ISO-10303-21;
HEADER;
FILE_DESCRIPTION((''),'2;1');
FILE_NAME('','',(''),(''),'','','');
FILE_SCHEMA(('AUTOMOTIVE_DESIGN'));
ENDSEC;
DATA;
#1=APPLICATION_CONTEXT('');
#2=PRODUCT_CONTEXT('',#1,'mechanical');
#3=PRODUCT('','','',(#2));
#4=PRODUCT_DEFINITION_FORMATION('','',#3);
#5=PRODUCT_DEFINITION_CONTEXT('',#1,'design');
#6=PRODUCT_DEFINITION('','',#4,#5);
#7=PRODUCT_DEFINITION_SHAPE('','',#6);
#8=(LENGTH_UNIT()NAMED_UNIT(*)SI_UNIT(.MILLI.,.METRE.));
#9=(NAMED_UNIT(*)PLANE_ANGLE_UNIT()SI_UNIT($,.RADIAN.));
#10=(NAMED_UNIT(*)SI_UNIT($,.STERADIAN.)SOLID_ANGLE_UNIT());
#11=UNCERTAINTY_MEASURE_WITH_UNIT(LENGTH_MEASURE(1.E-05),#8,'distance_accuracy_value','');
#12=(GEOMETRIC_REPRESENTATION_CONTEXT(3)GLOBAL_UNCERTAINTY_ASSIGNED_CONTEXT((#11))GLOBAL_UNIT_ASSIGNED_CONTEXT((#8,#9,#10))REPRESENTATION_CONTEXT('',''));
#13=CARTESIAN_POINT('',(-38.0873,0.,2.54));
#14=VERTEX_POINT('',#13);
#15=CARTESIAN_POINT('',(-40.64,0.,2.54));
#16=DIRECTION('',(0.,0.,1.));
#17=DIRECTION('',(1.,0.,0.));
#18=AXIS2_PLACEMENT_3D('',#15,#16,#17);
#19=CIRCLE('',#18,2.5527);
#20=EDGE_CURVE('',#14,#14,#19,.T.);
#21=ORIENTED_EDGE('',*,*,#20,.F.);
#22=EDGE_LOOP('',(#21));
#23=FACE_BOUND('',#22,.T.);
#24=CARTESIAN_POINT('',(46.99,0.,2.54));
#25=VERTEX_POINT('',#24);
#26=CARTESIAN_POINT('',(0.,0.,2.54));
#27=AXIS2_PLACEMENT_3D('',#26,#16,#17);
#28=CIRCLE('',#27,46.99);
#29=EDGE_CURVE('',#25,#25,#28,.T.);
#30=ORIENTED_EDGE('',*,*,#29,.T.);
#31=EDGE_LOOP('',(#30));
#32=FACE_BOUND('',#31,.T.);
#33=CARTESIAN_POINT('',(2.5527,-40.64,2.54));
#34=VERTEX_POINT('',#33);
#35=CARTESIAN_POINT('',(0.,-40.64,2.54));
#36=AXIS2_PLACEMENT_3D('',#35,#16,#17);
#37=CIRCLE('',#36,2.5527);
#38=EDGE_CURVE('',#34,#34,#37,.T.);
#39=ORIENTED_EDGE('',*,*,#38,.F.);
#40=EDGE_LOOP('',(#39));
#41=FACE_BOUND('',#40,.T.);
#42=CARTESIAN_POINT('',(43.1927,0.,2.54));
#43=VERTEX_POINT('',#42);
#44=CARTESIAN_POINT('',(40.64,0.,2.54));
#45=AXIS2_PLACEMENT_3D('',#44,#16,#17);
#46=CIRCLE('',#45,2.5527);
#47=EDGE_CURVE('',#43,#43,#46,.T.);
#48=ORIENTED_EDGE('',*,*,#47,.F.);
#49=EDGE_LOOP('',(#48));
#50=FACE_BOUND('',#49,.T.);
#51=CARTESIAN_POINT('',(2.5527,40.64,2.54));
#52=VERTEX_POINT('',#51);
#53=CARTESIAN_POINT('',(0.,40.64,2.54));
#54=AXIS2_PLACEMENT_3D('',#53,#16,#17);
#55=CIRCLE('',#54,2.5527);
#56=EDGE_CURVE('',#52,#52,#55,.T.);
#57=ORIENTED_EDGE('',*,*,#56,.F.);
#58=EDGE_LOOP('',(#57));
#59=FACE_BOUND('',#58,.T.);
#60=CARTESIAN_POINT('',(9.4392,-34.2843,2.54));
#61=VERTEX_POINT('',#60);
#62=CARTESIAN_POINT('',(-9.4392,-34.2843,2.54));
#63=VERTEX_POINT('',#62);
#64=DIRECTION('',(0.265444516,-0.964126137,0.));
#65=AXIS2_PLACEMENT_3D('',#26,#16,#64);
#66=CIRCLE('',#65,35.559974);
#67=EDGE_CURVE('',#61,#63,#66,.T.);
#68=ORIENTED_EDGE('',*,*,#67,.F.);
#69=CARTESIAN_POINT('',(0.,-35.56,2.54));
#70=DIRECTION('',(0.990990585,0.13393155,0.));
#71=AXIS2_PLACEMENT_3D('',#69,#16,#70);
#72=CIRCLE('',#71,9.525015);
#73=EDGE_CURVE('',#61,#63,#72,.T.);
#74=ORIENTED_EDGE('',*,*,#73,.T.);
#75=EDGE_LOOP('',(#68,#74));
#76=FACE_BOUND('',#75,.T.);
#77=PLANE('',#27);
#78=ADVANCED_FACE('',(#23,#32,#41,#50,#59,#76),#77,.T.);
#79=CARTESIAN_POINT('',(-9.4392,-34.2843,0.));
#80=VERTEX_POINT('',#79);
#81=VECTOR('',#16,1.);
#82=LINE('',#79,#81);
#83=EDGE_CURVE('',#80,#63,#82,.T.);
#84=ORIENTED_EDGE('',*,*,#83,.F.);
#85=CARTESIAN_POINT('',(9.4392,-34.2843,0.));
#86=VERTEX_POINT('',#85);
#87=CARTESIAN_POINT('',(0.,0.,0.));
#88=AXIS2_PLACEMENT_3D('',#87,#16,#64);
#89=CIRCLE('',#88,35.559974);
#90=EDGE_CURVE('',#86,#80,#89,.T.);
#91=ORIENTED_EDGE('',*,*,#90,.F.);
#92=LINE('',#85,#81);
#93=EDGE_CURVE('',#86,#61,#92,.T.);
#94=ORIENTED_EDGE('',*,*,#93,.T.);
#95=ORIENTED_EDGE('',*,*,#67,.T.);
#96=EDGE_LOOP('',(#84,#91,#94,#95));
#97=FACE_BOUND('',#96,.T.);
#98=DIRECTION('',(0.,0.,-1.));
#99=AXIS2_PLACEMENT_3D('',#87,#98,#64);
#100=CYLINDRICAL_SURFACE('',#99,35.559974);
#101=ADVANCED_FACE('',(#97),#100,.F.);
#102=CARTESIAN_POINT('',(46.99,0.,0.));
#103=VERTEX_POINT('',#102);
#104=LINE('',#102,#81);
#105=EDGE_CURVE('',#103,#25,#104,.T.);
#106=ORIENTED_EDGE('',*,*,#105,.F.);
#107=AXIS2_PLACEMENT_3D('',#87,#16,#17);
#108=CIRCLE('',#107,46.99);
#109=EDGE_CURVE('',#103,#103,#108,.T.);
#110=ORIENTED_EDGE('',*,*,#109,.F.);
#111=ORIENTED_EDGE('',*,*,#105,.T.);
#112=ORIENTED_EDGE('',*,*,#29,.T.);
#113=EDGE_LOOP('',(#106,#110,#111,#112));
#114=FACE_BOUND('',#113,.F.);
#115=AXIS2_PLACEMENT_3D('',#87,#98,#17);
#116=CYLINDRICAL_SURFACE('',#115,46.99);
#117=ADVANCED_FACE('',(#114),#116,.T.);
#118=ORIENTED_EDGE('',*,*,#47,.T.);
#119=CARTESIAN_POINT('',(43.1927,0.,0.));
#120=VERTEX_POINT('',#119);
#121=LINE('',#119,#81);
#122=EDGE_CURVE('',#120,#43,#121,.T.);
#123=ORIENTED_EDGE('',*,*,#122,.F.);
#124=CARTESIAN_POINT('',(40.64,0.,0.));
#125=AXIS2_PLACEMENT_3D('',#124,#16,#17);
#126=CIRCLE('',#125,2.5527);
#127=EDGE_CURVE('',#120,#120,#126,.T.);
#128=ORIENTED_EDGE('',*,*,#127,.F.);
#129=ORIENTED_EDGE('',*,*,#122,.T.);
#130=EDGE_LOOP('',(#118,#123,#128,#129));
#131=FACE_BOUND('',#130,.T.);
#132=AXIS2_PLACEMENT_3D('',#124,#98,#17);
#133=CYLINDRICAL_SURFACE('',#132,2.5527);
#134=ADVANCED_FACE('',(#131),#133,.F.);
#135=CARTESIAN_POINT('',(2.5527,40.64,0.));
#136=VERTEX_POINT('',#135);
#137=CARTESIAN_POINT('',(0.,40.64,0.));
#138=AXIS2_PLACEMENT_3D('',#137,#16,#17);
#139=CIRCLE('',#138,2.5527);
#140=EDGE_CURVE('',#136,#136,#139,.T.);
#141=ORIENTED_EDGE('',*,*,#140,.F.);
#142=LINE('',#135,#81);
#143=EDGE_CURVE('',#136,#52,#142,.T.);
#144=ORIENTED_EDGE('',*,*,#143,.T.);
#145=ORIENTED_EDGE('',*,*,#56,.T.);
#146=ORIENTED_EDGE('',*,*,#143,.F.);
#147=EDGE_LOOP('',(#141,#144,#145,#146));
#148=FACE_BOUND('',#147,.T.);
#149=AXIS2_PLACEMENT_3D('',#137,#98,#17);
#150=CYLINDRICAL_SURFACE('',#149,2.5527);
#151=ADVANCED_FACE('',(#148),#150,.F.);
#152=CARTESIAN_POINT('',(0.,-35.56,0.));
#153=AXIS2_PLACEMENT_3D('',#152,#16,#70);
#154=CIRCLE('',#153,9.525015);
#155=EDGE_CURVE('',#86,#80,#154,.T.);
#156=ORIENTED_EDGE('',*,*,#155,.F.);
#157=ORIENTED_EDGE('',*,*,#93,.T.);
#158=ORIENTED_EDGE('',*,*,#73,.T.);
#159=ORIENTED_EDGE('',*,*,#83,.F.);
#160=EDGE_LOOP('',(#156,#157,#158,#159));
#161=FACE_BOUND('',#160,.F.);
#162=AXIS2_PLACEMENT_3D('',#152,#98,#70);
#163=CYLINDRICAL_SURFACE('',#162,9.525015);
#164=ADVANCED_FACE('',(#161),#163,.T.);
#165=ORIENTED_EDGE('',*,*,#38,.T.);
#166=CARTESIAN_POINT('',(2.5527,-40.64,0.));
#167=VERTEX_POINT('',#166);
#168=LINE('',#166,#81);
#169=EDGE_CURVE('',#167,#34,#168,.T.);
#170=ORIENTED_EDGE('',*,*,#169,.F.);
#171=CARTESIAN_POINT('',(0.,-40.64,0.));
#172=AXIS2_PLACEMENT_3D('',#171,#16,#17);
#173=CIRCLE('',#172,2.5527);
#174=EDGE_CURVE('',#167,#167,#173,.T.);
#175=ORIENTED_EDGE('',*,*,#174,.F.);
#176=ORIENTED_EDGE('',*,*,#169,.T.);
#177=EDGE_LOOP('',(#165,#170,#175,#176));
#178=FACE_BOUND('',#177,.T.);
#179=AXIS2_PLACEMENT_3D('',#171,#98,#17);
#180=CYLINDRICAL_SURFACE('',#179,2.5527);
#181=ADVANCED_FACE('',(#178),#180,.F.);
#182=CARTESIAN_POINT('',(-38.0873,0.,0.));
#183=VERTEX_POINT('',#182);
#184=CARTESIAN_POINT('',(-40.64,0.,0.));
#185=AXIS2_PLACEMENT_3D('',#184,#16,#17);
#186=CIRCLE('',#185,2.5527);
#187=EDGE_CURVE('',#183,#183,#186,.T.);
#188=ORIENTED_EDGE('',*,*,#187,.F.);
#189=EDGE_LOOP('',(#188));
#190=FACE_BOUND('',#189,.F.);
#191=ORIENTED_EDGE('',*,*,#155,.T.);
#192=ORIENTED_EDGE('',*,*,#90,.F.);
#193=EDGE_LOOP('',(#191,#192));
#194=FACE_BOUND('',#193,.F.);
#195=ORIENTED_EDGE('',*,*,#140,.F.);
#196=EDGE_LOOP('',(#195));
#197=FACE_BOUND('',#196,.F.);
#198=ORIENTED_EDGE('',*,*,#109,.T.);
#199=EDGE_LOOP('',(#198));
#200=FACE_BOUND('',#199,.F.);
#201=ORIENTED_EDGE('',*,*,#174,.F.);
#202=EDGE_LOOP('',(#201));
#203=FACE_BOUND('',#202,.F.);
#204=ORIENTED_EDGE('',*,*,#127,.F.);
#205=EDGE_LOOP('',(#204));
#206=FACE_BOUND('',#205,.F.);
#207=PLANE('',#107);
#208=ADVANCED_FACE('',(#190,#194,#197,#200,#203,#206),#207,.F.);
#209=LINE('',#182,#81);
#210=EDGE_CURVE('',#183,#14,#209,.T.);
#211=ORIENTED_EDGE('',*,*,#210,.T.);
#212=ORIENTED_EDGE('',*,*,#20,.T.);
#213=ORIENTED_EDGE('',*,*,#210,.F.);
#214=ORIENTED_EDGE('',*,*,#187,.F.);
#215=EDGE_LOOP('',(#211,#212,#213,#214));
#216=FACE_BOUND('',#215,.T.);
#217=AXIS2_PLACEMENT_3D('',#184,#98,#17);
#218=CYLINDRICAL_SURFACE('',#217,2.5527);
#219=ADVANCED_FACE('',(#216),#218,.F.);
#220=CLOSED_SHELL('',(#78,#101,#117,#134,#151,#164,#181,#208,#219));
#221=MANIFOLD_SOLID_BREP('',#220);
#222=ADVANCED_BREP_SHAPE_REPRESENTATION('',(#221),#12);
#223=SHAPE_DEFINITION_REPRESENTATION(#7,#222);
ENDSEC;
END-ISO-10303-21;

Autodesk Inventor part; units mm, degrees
ref_plane "YZ Plane" through (0, 0, 0) normal (1, 0, 0) x (0, 1, 0)
ref_plane "XZ Plane" through (0, 0, 0) normal (0, 1, 0) x (-1, 0, 0)
ref_plane "XY Plane" through (0, 0, 0) normal (0, 0, 1) x (1, 0, 0)
sketch "Sketch1" plane through (0, 0, 0) normal (0, 0, 1) x (1, 0, 0)
  arc A0 (9.4392, -34.2843) -> (-9.4392, -34.2843) centre (0, 0) ccw
  circle A1 centre (0, 0) radius 46.99
  arc A2 (9.4392, -34.2843) -> (-9.4392, -34.2843) centre (0, -35.56) ccw
  circle A3 centre (0, 40.64) radius 2.5527
  circle A4 centre (-40.64, 0) radius 2.5527
  circle A5 centre (0, -40.64) radius 2.5527
  circle A6 centre (40.64, 0) radius 2.5527
  point P0 (0, 46.99)
  dimension "d1" = 93.98
  dimension "d0" = 71.12
  dimension "d2" = 19.05
  dimension "d8" = 360
  dimension "d12" = 5.1054
  dimension "d13" = 6.35
extrude "Extrusion1" add sketch "Sketch1" along normal blind 2.54
properties part number "Gasket" material "Aluminum 6061"
